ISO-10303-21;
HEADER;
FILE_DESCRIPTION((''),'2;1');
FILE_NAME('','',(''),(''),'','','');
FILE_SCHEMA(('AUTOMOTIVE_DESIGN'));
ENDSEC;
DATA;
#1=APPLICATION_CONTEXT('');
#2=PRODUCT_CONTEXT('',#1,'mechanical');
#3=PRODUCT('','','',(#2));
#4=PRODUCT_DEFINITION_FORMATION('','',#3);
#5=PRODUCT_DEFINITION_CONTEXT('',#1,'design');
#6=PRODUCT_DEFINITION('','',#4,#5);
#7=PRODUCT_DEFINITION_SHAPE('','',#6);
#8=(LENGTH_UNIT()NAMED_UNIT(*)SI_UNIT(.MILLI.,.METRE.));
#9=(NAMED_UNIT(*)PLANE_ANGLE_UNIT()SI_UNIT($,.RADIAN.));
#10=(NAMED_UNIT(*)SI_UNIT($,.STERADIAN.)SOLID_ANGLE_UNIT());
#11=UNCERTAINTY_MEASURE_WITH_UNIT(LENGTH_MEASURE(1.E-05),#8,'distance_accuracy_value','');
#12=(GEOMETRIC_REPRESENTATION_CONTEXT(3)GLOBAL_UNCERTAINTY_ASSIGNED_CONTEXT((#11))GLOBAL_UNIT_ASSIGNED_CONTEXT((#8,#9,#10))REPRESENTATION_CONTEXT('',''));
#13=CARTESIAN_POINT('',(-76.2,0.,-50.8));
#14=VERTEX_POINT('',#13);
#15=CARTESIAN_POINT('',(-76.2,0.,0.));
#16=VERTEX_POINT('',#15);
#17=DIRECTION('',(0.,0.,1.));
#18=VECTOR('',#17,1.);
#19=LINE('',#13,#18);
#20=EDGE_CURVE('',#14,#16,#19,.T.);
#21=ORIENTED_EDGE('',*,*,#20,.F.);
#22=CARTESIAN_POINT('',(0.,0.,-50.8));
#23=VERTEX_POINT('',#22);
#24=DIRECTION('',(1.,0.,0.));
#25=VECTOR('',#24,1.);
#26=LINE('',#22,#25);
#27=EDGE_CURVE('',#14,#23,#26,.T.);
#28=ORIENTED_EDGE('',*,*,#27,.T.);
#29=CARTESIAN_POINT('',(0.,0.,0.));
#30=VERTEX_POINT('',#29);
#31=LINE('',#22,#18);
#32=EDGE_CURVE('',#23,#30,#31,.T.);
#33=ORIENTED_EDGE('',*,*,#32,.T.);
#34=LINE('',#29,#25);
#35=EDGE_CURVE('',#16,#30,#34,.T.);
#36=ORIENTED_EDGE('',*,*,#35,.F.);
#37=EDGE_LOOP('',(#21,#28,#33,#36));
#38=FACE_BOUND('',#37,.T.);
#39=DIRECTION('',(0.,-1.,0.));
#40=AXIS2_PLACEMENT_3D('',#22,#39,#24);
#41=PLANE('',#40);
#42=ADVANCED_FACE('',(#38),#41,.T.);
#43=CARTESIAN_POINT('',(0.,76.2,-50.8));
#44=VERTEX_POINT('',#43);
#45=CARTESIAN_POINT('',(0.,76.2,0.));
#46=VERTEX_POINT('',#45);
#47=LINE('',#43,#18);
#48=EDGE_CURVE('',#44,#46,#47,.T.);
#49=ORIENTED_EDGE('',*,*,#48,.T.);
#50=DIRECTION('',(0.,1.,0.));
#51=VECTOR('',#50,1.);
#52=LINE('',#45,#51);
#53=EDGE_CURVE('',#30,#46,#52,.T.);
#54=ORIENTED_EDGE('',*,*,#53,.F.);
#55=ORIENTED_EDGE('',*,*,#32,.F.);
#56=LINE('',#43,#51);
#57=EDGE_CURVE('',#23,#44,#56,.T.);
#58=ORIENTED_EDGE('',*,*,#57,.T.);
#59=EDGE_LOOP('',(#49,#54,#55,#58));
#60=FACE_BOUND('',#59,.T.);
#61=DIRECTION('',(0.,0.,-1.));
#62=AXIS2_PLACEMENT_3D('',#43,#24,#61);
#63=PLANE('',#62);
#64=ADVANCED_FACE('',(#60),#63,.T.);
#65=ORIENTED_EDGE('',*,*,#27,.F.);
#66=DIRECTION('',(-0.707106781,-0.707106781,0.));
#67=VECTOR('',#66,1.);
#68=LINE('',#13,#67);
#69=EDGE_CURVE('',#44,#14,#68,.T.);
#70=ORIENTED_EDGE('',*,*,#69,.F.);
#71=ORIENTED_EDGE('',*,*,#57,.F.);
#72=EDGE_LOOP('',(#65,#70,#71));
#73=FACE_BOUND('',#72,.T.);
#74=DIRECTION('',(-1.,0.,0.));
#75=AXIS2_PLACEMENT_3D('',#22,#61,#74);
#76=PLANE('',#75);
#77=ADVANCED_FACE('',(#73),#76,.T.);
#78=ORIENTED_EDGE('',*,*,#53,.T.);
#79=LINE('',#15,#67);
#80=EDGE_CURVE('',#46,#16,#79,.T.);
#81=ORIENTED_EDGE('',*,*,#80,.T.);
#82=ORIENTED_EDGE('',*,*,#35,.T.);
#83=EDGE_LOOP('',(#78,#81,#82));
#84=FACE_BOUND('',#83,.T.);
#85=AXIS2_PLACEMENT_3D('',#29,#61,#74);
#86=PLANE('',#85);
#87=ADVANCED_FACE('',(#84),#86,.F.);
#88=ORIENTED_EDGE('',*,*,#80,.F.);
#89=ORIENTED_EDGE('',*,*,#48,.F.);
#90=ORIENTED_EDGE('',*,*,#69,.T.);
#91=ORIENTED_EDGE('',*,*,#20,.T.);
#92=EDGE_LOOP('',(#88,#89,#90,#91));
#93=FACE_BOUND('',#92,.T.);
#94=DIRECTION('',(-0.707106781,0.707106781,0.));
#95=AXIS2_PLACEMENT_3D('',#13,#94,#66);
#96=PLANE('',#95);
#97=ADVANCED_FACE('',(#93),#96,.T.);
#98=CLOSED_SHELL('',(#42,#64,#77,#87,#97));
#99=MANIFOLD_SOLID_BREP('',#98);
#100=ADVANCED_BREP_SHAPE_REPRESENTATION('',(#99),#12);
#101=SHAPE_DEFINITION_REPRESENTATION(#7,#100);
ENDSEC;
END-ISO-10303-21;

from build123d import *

# Parameters (mm, degrees)
BOSS_EXTRU_1_DEPTH = 50.8


with BuildPart() as part:
    # Esquisse1 → Boss.-Extru.1 (new body)
    with BuildSketch(Plane.XY):
        Polygon((0, 0), (-76.2, 0), (0, 76.2), align=None)
    extrude(amount=-BOSS_EXTRU_1_DEPTH)


solid = part.part
